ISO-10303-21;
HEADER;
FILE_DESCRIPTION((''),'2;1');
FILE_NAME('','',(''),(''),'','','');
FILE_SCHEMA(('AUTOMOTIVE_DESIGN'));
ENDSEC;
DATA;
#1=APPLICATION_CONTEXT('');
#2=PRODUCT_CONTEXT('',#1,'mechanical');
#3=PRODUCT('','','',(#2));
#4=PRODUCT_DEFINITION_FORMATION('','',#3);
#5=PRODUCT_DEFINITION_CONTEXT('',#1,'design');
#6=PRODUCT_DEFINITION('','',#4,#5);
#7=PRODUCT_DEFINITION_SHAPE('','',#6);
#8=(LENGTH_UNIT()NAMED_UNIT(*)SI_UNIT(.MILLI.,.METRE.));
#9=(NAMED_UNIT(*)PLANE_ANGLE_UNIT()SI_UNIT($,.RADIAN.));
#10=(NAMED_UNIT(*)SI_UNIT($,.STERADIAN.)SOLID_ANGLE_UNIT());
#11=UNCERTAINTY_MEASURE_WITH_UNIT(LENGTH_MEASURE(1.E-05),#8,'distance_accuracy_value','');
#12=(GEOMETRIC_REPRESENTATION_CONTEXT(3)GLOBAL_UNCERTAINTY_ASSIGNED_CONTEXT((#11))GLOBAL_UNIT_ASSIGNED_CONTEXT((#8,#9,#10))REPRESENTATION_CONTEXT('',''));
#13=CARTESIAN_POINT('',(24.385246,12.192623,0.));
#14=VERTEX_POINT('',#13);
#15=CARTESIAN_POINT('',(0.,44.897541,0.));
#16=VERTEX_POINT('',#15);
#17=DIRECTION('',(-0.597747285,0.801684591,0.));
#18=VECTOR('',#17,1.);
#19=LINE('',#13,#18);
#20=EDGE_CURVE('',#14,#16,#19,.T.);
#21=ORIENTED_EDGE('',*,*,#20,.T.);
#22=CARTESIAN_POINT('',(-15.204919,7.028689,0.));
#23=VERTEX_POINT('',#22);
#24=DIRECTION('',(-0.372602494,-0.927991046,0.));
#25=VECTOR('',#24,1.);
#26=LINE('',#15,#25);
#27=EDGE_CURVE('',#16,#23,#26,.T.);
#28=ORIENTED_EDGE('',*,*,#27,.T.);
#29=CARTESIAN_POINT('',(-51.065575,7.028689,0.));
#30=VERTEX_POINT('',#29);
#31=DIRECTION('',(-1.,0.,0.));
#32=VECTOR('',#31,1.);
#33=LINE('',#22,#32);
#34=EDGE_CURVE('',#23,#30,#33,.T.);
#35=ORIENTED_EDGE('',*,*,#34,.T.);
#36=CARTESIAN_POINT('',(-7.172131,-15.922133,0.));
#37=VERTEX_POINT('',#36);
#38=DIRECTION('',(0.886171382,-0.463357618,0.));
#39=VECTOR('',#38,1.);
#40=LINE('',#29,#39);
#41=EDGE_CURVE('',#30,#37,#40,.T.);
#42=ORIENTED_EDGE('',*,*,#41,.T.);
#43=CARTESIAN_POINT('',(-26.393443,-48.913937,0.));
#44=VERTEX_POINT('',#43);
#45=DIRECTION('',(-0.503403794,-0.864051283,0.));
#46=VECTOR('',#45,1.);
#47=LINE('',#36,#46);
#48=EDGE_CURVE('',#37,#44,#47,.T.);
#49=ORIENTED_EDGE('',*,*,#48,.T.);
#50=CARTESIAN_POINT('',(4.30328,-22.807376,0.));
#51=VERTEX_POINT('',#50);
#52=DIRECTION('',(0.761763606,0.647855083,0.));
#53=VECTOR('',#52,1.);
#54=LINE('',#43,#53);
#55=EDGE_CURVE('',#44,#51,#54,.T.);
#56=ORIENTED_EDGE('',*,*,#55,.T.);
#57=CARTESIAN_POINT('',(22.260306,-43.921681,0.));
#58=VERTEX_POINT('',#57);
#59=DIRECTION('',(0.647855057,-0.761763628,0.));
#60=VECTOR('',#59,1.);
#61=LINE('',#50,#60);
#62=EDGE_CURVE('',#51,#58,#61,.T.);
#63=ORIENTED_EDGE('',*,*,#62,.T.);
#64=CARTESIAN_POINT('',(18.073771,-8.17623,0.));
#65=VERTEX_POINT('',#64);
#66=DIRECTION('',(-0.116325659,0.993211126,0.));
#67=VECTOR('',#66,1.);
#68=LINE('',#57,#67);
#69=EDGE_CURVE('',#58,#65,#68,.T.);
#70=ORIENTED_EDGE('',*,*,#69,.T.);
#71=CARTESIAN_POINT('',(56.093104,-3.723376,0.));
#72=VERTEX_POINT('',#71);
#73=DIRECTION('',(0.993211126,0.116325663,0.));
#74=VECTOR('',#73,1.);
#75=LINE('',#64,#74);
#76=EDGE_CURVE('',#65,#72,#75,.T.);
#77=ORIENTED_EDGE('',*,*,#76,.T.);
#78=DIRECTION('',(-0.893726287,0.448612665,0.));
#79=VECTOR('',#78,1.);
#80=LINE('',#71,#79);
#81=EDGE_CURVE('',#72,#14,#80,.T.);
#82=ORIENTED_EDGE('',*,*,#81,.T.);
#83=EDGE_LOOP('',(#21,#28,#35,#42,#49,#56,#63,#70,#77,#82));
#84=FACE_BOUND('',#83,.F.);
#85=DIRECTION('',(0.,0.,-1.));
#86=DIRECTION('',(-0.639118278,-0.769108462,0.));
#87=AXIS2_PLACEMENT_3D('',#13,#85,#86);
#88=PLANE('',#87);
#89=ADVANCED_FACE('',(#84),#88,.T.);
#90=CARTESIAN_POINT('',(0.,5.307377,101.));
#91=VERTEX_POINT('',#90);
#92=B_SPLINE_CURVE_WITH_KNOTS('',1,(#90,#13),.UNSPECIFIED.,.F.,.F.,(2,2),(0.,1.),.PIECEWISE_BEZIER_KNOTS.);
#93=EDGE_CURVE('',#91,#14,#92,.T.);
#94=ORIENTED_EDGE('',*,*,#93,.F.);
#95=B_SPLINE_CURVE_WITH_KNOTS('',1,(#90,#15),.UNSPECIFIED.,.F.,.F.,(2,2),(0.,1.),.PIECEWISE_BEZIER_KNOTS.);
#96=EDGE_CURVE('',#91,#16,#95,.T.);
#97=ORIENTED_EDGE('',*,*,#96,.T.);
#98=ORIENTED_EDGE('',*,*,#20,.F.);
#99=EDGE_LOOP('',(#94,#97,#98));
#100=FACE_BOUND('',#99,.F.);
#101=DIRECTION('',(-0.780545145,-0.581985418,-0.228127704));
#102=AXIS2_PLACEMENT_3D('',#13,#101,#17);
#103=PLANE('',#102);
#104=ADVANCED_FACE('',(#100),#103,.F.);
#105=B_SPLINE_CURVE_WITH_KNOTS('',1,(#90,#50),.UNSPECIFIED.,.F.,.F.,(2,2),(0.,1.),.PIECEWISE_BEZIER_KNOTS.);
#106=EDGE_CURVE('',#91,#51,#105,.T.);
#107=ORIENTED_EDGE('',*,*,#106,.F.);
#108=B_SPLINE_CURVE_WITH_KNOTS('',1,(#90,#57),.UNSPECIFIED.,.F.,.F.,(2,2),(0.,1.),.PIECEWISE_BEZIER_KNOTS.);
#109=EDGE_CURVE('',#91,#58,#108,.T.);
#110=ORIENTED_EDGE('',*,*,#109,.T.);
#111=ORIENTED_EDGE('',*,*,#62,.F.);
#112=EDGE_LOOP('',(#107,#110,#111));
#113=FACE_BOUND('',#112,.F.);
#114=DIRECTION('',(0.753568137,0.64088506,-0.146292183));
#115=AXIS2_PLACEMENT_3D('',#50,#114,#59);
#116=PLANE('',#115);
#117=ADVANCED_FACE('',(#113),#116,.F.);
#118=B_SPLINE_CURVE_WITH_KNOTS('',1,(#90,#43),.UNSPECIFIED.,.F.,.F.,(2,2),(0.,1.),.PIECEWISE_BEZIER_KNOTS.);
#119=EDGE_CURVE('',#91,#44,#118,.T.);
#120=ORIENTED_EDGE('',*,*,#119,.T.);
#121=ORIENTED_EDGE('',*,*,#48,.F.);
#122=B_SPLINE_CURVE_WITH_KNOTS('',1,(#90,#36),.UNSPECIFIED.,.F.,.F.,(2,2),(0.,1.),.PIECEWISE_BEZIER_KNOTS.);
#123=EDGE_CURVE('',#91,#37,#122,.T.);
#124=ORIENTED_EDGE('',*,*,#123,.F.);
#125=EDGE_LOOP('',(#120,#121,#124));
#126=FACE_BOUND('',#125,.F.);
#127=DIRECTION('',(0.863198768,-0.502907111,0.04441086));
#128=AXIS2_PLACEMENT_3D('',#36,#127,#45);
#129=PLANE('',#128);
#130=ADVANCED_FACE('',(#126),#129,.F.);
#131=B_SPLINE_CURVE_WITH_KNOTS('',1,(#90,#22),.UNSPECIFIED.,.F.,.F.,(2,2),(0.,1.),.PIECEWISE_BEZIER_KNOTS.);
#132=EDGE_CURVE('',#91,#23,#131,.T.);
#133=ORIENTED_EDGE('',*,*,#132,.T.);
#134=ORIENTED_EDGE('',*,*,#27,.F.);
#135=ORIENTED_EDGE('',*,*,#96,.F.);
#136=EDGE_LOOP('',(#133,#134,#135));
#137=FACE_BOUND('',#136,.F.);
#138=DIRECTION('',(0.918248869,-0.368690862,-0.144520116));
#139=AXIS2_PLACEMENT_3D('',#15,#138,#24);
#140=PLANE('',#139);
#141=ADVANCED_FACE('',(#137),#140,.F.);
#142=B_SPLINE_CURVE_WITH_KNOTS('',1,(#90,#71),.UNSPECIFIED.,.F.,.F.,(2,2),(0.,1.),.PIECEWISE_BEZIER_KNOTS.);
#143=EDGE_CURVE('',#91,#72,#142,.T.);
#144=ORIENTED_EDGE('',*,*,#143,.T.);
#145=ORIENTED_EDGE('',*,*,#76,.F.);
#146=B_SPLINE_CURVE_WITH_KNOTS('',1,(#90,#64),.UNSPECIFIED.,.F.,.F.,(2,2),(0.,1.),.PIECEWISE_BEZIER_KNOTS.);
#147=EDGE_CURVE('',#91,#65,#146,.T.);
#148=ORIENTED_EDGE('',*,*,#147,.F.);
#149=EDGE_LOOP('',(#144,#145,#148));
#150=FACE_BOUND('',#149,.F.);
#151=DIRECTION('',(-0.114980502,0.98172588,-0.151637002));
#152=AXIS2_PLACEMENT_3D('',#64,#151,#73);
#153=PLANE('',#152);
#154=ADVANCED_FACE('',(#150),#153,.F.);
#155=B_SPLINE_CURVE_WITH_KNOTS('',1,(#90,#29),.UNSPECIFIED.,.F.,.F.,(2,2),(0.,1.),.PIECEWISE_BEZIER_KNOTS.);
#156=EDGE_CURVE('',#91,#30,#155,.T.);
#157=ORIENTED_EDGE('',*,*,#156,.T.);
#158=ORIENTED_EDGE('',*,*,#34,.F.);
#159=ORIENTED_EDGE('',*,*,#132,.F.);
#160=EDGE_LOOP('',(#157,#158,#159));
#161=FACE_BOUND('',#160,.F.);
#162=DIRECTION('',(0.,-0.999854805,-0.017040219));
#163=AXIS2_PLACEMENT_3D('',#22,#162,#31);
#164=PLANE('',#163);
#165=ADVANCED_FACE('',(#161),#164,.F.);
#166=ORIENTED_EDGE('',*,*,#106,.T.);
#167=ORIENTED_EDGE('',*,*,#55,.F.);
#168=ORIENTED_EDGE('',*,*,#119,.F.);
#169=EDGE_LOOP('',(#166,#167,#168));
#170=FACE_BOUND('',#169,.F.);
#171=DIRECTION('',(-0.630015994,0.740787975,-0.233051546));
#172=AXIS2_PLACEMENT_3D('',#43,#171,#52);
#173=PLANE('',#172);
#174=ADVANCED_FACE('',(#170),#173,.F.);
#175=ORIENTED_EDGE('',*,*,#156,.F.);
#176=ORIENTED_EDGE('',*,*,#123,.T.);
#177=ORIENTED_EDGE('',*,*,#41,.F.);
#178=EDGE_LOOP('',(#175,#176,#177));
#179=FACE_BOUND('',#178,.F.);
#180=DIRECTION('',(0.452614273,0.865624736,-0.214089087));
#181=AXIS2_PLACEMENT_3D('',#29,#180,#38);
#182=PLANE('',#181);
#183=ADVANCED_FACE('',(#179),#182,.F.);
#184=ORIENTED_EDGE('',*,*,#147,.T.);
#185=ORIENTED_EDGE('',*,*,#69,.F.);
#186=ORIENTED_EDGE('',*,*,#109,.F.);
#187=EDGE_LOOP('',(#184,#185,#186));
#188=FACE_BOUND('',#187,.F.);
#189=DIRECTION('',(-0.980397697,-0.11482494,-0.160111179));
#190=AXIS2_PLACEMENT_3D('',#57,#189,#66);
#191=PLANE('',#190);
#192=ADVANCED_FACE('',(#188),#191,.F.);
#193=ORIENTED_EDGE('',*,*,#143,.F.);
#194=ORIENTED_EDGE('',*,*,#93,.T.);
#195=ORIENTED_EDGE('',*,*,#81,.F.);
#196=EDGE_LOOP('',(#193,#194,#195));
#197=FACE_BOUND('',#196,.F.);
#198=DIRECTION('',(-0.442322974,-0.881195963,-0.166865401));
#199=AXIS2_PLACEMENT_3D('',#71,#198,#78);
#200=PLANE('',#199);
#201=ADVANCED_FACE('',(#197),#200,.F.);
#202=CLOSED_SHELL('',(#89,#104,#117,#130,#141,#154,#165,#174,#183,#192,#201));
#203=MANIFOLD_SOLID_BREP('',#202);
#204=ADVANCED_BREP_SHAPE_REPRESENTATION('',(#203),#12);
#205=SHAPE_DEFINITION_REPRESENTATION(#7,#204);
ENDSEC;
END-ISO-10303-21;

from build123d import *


with BuildPart() as f3:
    # F0 (on Top) → F3 section 0
    with BuildSketch(Plane.XY, mode=Mode.PRIVATE) as f3_s0:
        Polygon((24.385246, 12.192623), (0, 44.897541), (-15.204919, 7.028689), (-51.065575, 7.028689), (-7.172131, -15.922133), (-26.393443, -48.913937), (4.30328, -22.807376), (22.260306, -43.921681), (18.073771, -8.17623), (56.093104, -3.723376), align=None)
    loft([Vertex(0, 5.307377, 101), f3_s0.sketch])


solid = f3.part
